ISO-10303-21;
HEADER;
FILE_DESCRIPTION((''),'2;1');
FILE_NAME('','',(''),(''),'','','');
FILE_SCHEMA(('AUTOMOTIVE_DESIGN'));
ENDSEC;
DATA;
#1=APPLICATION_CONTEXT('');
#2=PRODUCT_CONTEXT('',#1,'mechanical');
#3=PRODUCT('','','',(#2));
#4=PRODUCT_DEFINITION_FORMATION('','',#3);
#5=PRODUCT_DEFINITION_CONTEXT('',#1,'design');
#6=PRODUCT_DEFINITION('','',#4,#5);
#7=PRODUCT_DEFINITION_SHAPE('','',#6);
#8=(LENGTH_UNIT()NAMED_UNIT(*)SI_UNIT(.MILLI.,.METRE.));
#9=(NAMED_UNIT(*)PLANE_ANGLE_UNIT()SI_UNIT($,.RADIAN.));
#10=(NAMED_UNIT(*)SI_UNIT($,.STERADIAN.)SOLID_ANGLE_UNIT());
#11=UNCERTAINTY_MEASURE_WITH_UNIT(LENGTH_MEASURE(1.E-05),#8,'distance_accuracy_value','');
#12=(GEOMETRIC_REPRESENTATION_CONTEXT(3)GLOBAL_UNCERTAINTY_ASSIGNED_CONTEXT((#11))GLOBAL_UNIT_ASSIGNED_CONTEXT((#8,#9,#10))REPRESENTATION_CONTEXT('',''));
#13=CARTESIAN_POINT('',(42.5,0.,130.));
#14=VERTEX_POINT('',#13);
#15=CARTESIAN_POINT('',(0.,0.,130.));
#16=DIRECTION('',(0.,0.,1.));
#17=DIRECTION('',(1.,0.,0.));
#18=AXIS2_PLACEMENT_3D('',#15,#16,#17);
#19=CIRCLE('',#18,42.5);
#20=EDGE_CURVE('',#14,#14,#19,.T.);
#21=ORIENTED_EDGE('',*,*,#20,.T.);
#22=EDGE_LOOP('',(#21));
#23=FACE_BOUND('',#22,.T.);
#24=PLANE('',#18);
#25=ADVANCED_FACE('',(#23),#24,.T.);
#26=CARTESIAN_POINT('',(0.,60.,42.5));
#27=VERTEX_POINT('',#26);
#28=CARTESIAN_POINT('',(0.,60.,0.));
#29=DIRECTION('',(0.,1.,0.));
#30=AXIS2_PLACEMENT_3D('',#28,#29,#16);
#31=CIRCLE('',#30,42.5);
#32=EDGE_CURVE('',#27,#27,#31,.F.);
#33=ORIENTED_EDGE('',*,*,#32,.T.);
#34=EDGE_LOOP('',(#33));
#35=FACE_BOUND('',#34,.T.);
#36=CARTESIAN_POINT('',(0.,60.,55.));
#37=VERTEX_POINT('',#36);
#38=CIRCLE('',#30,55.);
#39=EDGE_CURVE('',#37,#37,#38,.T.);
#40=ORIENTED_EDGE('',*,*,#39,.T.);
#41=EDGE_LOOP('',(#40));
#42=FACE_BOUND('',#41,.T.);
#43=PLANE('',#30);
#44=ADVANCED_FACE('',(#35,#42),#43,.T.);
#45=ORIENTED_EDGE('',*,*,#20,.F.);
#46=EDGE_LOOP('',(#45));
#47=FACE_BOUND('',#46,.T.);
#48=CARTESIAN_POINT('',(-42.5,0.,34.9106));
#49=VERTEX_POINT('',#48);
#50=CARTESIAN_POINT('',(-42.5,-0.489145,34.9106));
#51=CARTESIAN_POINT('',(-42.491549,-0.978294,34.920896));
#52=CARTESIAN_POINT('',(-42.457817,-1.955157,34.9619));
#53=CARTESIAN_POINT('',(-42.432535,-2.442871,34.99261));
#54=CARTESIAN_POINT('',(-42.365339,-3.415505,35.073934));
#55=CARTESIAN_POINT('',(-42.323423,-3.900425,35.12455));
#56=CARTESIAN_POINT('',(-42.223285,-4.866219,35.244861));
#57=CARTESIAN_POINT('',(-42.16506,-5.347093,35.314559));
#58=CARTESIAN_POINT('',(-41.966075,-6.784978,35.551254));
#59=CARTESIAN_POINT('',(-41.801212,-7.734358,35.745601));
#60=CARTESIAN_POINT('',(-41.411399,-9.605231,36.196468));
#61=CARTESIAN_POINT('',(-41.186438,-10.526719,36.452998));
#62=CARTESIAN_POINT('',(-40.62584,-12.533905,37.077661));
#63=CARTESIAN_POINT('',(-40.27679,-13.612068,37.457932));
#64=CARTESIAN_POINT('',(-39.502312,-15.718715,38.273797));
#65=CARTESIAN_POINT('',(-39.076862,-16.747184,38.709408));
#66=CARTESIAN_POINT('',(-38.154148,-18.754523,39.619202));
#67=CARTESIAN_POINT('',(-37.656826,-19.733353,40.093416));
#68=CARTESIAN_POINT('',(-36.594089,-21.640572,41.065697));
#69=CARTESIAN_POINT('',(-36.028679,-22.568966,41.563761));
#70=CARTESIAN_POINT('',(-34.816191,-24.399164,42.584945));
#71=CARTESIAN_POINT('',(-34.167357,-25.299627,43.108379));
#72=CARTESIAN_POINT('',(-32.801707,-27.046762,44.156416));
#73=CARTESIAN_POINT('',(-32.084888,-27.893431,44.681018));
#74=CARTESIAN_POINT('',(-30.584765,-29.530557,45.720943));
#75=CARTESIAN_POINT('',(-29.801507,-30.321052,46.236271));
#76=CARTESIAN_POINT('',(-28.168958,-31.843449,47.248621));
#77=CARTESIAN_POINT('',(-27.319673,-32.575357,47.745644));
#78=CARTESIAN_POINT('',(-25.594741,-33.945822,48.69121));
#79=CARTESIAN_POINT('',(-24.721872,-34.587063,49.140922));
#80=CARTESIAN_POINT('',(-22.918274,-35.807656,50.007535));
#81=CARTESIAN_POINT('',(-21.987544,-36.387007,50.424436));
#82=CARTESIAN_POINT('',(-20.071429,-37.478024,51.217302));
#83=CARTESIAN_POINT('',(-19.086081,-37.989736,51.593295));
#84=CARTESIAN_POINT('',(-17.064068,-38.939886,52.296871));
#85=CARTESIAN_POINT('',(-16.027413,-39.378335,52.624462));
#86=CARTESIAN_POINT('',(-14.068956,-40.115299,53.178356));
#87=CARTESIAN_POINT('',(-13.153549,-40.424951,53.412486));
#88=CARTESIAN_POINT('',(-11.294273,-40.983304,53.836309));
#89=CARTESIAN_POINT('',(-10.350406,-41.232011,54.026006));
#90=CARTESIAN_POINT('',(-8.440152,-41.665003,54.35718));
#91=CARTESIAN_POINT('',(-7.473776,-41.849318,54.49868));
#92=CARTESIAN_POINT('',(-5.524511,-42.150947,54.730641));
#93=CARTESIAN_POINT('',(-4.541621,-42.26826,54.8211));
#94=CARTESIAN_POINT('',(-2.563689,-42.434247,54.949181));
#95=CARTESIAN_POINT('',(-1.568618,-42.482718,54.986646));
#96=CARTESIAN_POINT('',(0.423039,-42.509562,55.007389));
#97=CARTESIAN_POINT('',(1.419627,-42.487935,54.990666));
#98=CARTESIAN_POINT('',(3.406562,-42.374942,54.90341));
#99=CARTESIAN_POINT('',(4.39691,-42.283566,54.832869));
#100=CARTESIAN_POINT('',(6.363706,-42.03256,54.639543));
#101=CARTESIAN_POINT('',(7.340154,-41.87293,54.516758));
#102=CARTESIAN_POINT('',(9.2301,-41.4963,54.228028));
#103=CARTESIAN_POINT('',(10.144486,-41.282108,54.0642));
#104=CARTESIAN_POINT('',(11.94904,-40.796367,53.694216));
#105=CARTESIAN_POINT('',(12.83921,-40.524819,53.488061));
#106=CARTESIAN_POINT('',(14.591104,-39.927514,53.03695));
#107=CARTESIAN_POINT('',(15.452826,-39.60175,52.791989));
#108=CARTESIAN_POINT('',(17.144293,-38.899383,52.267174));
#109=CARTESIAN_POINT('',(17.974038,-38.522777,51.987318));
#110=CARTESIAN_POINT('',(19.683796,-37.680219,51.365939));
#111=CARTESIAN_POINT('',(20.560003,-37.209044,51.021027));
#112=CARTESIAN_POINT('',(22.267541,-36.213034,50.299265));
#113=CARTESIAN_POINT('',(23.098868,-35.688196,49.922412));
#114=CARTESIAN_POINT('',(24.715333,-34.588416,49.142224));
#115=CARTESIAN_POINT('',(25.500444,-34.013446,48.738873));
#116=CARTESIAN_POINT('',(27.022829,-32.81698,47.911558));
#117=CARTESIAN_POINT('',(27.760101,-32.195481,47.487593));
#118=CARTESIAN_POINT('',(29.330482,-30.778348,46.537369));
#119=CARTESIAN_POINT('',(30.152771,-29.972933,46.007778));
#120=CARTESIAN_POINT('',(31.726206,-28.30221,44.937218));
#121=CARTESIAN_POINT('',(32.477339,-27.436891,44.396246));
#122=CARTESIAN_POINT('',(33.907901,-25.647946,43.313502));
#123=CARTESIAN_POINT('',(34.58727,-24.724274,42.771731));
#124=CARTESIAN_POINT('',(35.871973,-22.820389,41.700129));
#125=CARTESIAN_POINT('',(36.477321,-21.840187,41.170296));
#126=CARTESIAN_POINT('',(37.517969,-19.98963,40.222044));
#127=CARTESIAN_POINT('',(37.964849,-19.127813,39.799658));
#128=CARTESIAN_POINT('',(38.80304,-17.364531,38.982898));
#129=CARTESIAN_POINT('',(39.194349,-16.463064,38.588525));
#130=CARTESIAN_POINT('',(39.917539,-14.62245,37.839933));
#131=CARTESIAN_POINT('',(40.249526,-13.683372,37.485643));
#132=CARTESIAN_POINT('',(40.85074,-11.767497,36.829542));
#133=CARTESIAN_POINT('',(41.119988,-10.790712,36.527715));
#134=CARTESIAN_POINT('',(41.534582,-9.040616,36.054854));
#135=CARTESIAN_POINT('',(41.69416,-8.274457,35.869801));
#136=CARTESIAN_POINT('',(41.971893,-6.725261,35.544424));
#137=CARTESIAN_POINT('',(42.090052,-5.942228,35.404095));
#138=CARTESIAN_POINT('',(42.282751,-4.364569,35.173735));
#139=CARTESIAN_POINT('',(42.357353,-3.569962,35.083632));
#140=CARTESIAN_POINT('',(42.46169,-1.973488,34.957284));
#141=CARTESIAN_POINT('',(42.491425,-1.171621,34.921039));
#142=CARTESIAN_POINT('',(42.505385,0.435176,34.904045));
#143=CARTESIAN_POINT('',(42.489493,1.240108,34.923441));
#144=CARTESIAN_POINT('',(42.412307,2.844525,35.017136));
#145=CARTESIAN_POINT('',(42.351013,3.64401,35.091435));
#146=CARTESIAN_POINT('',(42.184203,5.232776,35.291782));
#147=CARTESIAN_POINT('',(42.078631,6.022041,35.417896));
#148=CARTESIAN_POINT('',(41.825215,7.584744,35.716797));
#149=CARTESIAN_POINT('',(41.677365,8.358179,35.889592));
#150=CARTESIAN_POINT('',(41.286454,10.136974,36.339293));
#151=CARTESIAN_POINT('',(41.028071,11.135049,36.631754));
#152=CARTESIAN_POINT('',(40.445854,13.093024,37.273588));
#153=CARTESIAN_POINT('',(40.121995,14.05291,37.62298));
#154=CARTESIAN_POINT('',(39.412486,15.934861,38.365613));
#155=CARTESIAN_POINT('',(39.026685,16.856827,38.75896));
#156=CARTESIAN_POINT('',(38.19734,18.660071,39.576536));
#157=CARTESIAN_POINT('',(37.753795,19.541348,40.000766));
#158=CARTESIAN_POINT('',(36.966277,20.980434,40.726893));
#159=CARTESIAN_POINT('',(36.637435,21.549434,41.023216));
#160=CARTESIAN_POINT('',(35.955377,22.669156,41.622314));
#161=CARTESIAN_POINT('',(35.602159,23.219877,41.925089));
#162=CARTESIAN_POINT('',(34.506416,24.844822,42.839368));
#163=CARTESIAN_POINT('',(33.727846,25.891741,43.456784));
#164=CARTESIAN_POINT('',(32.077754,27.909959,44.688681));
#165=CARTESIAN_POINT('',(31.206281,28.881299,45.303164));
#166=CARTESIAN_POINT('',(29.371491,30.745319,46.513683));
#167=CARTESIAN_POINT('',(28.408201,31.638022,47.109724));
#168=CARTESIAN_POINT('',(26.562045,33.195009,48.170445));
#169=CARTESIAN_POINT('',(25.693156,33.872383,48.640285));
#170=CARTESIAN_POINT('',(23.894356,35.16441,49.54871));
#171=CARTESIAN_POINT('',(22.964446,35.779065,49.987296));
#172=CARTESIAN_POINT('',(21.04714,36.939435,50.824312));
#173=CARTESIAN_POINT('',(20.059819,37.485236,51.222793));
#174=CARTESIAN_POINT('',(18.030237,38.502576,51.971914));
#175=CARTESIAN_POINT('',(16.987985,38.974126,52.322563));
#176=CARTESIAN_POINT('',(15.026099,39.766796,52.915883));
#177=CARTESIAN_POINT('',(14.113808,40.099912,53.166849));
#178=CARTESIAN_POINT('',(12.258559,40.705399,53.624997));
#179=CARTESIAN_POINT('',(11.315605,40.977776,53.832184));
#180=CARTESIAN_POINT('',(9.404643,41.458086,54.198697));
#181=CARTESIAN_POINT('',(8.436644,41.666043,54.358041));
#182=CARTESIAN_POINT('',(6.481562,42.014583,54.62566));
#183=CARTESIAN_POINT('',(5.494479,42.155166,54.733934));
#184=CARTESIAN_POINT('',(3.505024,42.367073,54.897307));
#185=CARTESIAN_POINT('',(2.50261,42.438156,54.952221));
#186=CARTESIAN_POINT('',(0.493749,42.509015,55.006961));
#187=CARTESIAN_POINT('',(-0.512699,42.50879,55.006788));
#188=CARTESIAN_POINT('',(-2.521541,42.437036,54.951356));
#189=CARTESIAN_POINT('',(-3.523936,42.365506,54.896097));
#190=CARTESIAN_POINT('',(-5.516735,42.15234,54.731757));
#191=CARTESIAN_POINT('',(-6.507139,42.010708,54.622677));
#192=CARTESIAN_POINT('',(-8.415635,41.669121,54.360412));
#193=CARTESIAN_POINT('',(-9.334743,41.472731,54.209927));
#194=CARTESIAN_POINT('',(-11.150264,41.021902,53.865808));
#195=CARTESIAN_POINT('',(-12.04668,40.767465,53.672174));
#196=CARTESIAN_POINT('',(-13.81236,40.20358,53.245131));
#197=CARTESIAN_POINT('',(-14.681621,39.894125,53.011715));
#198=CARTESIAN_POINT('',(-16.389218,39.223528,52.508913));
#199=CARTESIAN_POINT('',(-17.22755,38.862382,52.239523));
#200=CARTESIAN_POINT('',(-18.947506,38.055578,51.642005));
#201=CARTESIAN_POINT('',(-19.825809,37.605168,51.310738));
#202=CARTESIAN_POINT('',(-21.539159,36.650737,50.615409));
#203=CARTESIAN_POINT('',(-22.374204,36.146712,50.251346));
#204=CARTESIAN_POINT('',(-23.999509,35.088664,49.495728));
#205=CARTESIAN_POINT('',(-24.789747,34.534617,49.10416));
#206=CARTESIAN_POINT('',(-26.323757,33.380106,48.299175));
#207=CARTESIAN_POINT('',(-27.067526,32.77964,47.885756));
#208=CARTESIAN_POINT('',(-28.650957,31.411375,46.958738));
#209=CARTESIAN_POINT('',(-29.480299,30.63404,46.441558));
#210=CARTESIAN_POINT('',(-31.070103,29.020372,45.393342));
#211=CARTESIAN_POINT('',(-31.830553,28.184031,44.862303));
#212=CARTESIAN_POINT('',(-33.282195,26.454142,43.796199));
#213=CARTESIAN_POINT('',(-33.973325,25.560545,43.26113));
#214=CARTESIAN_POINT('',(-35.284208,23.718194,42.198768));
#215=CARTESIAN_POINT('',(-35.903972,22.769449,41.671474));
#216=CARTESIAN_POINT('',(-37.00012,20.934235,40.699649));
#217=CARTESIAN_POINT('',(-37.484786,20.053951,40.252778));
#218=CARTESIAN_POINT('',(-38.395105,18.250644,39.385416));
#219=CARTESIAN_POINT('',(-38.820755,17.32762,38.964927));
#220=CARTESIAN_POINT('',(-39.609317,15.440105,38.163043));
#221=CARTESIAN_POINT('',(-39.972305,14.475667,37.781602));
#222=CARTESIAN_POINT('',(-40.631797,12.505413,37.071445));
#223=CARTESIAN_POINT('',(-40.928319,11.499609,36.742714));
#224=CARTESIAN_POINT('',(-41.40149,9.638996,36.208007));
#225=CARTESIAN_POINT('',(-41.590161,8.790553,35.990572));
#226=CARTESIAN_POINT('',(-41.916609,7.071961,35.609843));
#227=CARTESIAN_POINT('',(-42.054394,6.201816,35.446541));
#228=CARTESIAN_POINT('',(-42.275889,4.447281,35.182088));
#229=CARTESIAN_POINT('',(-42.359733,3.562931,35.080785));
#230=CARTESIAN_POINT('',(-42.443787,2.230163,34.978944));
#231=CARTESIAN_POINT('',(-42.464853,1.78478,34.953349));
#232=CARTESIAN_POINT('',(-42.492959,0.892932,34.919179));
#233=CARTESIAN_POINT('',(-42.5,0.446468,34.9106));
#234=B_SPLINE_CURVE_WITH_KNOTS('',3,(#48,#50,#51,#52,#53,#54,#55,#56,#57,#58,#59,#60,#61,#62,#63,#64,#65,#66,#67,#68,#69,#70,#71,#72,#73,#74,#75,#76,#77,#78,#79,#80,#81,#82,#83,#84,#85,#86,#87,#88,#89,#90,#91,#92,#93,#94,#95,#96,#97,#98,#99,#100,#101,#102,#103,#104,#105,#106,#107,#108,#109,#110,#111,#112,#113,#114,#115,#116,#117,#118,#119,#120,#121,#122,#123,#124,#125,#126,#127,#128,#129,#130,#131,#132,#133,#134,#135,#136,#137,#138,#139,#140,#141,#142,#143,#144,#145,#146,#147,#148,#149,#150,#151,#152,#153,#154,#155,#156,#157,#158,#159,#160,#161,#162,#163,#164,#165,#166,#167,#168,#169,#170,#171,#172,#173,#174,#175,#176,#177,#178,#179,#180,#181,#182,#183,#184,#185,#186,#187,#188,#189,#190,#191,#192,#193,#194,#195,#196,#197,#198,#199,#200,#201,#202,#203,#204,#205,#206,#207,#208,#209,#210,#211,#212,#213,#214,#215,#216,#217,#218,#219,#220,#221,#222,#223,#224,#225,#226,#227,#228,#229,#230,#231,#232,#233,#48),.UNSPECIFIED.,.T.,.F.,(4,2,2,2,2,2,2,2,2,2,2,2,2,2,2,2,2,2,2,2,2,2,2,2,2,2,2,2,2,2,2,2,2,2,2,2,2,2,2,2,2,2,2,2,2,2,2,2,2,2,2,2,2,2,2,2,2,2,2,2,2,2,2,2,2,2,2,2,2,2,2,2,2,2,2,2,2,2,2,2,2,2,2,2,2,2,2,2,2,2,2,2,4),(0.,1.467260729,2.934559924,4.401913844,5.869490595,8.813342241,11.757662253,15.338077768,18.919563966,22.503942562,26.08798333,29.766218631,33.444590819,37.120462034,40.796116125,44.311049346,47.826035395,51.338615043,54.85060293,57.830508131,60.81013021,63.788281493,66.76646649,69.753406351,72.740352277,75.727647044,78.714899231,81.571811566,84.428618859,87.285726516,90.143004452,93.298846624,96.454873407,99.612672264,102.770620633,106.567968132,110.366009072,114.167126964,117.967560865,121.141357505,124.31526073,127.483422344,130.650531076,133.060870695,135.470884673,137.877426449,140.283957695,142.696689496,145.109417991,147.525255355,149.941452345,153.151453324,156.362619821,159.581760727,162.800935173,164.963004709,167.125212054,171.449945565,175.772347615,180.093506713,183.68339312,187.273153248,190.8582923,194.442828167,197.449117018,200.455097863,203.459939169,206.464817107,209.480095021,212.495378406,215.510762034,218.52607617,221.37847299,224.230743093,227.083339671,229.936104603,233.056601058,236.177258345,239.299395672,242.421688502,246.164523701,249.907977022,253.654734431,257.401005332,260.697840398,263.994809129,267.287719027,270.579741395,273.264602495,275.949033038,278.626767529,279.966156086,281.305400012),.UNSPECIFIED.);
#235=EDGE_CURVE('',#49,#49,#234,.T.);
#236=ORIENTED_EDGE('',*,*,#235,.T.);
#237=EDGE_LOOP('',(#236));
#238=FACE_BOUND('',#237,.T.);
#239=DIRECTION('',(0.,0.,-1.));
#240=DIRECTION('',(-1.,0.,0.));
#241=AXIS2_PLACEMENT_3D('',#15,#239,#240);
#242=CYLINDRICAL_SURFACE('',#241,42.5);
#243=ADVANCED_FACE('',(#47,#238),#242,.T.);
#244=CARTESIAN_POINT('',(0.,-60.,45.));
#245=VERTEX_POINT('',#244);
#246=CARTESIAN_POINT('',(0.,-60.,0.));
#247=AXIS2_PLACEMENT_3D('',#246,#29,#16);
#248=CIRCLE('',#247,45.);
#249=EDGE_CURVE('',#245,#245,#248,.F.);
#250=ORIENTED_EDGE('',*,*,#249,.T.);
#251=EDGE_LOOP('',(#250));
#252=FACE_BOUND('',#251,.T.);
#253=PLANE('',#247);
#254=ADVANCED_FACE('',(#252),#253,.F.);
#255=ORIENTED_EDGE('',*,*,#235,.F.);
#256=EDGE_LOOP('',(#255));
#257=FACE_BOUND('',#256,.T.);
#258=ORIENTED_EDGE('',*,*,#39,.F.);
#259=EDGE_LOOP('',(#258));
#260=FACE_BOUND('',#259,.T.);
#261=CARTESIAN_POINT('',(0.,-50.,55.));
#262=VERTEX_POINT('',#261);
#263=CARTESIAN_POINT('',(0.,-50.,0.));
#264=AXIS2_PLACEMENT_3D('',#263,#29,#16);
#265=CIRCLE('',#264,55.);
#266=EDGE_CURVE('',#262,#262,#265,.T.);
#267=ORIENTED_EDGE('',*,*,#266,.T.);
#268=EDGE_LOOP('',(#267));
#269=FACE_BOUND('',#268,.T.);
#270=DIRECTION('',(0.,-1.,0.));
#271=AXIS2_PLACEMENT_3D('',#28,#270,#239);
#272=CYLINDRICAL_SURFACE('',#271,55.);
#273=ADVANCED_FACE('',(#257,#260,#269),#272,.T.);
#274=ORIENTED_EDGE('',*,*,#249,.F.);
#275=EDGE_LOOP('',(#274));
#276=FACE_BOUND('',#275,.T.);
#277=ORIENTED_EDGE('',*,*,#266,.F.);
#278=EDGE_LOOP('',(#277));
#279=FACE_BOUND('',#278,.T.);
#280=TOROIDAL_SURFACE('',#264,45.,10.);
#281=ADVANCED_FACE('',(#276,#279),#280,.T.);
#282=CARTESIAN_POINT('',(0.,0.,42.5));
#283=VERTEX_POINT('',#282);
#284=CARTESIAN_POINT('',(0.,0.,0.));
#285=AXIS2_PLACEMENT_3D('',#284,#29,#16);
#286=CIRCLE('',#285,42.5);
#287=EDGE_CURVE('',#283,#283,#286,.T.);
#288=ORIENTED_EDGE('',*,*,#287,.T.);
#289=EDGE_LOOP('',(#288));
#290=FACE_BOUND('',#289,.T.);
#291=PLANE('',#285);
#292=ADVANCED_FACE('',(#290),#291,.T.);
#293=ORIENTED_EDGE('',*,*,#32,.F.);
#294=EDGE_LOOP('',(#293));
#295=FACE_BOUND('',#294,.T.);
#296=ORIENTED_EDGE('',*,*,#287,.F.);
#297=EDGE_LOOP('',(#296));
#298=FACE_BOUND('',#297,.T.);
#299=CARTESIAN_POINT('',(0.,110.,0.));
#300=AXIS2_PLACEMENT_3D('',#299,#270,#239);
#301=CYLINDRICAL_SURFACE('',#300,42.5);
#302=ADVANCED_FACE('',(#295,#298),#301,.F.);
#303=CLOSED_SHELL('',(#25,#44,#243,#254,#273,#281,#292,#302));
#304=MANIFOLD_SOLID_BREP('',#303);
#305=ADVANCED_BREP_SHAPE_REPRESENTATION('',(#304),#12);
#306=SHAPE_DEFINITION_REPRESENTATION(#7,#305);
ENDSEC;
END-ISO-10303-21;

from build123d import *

# Parameters (mm, degrees)
SKETCH1_R           = 55
BOSS_EXTRUDE1_DEPTH = 60
SKETCH2_R           = 42.5
BOSS_EXTRUDE2_DEPTH = 130
FILLET2_R           = 10
SKETCH3_R           = 42.5
CUT_EXTRUDE1_DEPTH  = 110


with BuildPart() as part:
    # Sketch1 → Boss-Extrude1 (new body, symmetric)
    with BuildSketch(Plane(origin=(0, 0, 0), x_dir=(1, 0, 0), z_dir=(0, 1, 0))):
        Circle(SKETCH1_R)
    extrude(amount=BOSS_EXTRUDE1_DEPTH, both=True)

    # Sketch2 → Boss-Extrude2 (add)
    with BuildSketch(Plane.XY):
        Circle(SKETCH2_R)
    extrude(amount=BOSS_EXTRUDE2_DEPTH)

    # Fillet2
    fillet2_edges = [part.edges().sort_by_distance(p)[0] for p in [
        (-55, -60, 0),
    ]]
    fillet(fillet2_edges, radius=FILLET2_R)

    # Sketch3 → Cut-Extrude1 (cut)
    with BuildSketch(Plane(origin=(0, 0, 0), x_dir=(1, 0, 0), z_dir=(0, 1, 0))):
        Circle(SKETCH3_R)
    extrude(amount=CUT_EXTRUDE1_DEPTH, mode=Mode.SUBTRACT)


solid = part.part
